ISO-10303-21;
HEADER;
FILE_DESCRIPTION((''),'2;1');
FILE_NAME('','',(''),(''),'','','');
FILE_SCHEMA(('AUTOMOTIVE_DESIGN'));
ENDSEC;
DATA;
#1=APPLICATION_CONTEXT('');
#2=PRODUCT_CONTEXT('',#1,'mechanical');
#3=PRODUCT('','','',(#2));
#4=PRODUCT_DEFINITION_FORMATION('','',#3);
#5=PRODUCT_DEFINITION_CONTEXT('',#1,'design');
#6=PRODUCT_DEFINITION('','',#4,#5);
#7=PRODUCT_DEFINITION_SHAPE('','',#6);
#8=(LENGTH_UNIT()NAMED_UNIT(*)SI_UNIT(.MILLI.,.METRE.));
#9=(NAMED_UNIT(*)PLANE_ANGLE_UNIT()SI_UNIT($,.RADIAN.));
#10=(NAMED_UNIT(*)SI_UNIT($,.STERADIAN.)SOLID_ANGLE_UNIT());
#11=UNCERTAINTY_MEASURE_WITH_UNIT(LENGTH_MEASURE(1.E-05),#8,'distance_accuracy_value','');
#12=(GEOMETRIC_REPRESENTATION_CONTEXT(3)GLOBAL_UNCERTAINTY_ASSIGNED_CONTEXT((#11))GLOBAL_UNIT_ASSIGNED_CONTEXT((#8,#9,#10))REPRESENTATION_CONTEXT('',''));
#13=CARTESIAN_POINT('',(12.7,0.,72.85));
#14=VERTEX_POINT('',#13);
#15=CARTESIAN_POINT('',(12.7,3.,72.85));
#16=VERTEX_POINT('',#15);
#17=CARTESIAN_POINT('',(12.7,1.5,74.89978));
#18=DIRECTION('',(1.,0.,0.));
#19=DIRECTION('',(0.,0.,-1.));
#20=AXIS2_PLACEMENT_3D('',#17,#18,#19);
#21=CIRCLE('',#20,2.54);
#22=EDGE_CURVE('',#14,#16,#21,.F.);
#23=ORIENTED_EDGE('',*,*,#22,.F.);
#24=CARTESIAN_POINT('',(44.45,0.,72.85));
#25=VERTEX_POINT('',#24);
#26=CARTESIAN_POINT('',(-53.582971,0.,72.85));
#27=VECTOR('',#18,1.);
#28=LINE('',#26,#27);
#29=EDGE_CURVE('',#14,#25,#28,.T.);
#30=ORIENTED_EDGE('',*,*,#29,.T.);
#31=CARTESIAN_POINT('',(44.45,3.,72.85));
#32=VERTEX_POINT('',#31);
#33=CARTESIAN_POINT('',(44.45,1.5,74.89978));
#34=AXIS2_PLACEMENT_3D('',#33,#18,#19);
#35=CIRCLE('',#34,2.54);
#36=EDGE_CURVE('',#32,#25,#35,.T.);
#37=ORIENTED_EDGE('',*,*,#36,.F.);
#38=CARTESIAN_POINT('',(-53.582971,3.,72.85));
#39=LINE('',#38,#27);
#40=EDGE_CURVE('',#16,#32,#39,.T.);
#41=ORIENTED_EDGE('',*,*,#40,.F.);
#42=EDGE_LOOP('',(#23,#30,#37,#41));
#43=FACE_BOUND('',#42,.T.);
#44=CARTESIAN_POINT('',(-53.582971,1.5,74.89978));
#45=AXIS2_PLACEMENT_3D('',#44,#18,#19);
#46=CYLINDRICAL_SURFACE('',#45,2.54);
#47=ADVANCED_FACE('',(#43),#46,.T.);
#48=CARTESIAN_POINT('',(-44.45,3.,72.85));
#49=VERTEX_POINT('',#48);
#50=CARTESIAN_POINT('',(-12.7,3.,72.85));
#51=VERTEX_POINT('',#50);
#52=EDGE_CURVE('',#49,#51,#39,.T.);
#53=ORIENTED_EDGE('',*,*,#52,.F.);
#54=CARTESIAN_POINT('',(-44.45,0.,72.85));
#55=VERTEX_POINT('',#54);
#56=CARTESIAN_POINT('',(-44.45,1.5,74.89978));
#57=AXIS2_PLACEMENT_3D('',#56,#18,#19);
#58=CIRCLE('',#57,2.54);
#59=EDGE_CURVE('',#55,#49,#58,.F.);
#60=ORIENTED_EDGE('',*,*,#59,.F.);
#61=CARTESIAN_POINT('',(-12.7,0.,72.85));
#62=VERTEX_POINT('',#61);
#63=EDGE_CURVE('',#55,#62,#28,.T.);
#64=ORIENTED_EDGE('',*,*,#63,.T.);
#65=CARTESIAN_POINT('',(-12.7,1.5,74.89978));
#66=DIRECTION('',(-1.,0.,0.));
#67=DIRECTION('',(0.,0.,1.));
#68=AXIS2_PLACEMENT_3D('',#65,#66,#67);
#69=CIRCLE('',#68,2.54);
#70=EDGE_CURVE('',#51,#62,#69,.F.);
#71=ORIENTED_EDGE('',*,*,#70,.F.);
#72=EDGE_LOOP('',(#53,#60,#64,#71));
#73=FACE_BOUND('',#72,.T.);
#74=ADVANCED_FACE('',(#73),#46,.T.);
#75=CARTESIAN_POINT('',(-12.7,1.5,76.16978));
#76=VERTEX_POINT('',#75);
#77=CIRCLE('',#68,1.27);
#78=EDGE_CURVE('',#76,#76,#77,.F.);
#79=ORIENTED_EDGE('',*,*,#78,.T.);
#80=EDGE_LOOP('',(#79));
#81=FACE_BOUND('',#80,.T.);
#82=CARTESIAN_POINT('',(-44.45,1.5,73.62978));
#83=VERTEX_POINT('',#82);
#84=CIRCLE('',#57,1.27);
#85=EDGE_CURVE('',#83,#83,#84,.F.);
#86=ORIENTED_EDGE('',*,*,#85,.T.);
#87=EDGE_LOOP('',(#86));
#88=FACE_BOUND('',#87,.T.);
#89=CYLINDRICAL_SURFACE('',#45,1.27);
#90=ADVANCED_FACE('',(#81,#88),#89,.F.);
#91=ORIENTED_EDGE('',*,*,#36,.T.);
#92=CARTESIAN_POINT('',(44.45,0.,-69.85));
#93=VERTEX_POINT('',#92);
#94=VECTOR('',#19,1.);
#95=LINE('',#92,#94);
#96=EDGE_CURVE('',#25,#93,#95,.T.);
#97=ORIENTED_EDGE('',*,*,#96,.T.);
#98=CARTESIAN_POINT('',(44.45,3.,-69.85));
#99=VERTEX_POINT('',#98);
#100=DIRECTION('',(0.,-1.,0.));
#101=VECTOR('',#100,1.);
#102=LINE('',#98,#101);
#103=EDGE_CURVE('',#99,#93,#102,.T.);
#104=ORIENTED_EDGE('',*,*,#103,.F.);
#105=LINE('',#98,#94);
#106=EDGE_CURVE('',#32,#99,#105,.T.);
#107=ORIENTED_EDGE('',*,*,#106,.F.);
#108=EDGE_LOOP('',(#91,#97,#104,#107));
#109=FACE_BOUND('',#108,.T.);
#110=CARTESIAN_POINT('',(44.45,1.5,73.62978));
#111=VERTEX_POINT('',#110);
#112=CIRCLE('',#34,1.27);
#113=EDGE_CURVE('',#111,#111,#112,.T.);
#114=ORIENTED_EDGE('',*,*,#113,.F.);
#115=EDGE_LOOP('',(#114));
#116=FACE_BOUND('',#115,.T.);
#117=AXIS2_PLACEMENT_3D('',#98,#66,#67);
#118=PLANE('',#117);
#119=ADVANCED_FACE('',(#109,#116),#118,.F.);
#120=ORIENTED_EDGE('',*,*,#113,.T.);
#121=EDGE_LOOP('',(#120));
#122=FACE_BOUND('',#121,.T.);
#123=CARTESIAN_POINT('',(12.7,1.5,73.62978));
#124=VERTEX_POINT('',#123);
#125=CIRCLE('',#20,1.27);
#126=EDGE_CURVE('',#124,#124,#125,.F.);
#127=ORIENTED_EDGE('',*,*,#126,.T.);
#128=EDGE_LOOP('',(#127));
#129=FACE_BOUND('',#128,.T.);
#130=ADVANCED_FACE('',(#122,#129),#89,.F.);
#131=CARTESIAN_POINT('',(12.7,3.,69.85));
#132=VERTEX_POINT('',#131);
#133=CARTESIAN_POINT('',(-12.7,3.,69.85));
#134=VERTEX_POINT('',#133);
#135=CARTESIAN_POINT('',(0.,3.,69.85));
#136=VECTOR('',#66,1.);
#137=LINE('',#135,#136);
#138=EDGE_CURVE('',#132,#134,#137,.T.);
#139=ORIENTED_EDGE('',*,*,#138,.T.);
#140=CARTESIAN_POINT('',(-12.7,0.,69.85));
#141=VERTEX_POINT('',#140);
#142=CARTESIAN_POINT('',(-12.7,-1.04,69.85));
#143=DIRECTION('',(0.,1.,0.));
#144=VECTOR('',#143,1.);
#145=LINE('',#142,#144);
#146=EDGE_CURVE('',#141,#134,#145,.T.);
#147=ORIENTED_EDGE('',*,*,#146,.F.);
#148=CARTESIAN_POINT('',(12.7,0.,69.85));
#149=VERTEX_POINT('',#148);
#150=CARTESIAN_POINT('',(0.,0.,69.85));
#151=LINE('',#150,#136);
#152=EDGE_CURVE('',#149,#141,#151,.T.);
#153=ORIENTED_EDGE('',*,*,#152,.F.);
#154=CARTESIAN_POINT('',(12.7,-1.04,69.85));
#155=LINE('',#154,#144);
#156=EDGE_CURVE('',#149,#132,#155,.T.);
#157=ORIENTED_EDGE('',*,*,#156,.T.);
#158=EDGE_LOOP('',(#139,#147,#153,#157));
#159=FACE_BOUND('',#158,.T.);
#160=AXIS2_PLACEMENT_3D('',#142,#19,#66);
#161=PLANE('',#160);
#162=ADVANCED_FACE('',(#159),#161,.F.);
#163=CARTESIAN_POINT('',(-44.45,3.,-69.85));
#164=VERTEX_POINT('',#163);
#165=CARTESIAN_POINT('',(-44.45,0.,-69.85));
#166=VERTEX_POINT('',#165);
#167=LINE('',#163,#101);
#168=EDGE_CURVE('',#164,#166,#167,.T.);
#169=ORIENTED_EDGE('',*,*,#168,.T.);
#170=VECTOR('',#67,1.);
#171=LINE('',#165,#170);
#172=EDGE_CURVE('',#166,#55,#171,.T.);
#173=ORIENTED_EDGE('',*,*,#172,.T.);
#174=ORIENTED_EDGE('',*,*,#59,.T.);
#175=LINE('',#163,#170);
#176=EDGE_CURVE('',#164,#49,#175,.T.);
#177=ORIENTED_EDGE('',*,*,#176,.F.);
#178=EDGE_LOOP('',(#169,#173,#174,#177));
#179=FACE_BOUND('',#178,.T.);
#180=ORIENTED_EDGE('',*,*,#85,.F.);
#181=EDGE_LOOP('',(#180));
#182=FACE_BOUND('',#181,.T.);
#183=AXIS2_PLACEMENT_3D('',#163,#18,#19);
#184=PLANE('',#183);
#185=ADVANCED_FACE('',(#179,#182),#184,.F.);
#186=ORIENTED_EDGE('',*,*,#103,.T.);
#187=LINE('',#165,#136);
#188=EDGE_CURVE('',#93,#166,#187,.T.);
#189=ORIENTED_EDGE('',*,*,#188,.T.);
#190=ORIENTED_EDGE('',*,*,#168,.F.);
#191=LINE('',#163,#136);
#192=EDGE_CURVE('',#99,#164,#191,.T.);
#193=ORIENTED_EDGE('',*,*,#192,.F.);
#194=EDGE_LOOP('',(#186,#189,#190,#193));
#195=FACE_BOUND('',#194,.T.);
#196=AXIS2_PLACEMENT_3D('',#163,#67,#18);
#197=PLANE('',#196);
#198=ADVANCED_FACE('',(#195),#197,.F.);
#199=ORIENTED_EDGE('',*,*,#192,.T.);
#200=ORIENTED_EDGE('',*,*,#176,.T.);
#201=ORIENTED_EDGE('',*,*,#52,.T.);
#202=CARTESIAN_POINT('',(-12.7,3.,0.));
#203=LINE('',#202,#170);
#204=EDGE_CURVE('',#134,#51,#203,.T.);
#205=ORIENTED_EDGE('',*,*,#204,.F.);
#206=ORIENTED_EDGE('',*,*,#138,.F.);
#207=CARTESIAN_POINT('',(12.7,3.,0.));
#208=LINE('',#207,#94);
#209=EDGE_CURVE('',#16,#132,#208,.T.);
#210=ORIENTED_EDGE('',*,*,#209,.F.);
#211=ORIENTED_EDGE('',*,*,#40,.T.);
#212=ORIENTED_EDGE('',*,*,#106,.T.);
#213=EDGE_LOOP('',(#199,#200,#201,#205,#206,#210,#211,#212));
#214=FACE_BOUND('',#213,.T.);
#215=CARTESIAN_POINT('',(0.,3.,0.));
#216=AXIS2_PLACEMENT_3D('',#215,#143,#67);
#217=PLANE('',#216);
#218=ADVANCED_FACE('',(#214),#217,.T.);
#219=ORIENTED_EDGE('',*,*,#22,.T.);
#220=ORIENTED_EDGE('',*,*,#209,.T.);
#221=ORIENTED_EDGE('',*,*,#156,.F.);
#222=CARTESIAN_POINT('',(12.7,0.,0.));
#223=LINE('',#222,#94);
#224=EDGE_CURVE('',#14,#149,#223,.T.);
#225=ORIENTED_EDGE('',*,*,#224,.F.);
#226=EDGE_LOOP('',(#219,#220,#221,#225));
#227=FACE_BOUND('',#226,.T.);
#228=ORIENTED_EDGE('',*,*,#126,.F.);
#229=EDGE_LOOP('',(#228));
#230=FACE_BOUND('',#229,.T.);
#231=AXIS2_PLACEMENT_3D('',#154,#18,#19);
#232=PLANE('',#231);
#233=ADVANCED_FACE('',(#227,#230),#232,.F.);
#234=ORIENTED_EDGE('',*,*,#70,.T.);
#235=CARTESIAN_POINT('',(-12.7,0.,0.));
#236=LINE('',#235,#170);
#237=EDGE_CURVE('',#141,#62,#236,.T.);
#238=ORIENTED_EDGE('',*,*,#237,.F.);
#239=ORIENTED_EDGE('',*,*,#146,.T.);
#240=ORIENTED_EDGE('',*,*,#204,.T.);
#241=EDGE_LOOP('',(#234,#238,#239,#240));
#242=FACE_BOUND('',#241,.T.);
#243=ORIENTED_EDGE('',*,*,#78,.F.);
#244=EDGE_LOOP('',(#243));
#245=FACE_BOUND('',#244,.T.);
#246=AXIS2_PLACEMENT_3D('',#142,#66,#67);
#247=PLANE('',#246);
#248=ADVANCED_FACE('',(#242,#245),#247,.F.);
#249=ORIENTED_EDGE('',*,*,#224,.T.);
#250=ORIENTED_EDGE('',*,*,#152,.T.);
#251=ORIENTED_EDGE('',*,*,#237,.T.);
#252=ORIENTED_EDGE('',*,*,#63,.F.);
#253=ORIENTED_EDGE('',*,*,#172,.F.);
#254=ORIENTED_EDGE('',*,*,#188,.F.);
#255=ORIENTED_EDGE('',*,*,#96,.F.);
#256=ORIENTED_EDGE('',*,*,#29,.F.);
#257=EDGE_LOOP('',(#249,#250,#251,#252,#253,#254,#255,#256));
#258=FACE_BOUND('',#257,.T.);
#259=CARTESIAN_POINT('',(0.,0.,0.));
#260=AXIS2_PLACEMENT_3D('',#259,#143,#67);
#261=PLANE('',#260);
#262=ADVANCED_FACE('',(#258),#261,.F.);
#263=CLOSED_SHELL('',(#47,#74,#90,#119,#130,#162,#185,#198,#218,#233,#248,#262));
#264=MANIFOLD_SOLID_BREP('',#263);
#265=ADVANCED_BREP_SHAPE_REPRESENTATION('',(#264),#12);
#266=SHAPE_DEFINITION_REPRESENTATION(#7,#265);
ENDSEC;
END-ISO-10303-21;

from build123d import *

# Parameters (mm, degrees)
SKETCH1_W               = 88.9
SKETCH1_H               = 139.7
BOSS_EXTRUDE1_DEPTH     = 3
SKETCH3_R               = 1.27
BOSS_EXTRUDE2_DEPTH     = 88.9
CUT_EXTRUDE1_DEPTH      = 90.381450537
CUT_EXTRUDE1_DEPTH_BACK = 90.381450537
SKETCH4_W               = 25.4
SKETCH4_H               = 17.737449085


with BuildPart() as part:
    # Sketch1 → Boss-Extrude1 (new body)
    with BuildSketch(Plane(origin=(0, 0, 0), x_dir=(1, 0, 0), z_dir=(0, 1, 0))):
        Rectangle(SKETCH1_W, SKETCH1_H)
    extrude(amount=BOSS_EXTRUDE1_DEPTH)

    # Sketch3 → Boss-Extrude2 (add)
    with BuildSketch(Plane(origin=(44.45, 0, 0), x_dir=(0, 0, -1), z_dir=(1, 0, 0))):
        with BuildLine():
            Line((-69.85, 0), (-69.85, 3))
            Line((-69.85, 3), (-72.85, 3))
            ThreePointArc((-72.85, 3), (-77.439780476, 1.5), (-72.85, 0))
            Line((-72.85, 0), (-69.85, 0))
        make_face()
        with Locations((-74.899780476, 1.5)):
            Circle(SKETCH3_R, mode=Mode.SUBTRACT)
    extrude(amount=-BOSS_EXTRUDE2_DEPTH)

    # Sketch4 → Cut-Extrude1 (cut, two sides: drawn at the far end of the back side and taken through both)
    with BuildSketch(Plane(origin=(0, 0, 0), x_dir=(1, 0, 0), z_dir=(0, 1, 0)).offset(-CUT_EXTRUDE1_DEPTH_BACK)):
        with Locations((0, -78.718724543)):
            Rectangle(SKETCH4_W, SKETCH4_H)
    extrude(amount=CUT_EXTRUDE1_DEPTH + CUT_EXTRUDE1_DEPTH_BACK, mode=Mode.SUBTRACT)


solid = part.part
